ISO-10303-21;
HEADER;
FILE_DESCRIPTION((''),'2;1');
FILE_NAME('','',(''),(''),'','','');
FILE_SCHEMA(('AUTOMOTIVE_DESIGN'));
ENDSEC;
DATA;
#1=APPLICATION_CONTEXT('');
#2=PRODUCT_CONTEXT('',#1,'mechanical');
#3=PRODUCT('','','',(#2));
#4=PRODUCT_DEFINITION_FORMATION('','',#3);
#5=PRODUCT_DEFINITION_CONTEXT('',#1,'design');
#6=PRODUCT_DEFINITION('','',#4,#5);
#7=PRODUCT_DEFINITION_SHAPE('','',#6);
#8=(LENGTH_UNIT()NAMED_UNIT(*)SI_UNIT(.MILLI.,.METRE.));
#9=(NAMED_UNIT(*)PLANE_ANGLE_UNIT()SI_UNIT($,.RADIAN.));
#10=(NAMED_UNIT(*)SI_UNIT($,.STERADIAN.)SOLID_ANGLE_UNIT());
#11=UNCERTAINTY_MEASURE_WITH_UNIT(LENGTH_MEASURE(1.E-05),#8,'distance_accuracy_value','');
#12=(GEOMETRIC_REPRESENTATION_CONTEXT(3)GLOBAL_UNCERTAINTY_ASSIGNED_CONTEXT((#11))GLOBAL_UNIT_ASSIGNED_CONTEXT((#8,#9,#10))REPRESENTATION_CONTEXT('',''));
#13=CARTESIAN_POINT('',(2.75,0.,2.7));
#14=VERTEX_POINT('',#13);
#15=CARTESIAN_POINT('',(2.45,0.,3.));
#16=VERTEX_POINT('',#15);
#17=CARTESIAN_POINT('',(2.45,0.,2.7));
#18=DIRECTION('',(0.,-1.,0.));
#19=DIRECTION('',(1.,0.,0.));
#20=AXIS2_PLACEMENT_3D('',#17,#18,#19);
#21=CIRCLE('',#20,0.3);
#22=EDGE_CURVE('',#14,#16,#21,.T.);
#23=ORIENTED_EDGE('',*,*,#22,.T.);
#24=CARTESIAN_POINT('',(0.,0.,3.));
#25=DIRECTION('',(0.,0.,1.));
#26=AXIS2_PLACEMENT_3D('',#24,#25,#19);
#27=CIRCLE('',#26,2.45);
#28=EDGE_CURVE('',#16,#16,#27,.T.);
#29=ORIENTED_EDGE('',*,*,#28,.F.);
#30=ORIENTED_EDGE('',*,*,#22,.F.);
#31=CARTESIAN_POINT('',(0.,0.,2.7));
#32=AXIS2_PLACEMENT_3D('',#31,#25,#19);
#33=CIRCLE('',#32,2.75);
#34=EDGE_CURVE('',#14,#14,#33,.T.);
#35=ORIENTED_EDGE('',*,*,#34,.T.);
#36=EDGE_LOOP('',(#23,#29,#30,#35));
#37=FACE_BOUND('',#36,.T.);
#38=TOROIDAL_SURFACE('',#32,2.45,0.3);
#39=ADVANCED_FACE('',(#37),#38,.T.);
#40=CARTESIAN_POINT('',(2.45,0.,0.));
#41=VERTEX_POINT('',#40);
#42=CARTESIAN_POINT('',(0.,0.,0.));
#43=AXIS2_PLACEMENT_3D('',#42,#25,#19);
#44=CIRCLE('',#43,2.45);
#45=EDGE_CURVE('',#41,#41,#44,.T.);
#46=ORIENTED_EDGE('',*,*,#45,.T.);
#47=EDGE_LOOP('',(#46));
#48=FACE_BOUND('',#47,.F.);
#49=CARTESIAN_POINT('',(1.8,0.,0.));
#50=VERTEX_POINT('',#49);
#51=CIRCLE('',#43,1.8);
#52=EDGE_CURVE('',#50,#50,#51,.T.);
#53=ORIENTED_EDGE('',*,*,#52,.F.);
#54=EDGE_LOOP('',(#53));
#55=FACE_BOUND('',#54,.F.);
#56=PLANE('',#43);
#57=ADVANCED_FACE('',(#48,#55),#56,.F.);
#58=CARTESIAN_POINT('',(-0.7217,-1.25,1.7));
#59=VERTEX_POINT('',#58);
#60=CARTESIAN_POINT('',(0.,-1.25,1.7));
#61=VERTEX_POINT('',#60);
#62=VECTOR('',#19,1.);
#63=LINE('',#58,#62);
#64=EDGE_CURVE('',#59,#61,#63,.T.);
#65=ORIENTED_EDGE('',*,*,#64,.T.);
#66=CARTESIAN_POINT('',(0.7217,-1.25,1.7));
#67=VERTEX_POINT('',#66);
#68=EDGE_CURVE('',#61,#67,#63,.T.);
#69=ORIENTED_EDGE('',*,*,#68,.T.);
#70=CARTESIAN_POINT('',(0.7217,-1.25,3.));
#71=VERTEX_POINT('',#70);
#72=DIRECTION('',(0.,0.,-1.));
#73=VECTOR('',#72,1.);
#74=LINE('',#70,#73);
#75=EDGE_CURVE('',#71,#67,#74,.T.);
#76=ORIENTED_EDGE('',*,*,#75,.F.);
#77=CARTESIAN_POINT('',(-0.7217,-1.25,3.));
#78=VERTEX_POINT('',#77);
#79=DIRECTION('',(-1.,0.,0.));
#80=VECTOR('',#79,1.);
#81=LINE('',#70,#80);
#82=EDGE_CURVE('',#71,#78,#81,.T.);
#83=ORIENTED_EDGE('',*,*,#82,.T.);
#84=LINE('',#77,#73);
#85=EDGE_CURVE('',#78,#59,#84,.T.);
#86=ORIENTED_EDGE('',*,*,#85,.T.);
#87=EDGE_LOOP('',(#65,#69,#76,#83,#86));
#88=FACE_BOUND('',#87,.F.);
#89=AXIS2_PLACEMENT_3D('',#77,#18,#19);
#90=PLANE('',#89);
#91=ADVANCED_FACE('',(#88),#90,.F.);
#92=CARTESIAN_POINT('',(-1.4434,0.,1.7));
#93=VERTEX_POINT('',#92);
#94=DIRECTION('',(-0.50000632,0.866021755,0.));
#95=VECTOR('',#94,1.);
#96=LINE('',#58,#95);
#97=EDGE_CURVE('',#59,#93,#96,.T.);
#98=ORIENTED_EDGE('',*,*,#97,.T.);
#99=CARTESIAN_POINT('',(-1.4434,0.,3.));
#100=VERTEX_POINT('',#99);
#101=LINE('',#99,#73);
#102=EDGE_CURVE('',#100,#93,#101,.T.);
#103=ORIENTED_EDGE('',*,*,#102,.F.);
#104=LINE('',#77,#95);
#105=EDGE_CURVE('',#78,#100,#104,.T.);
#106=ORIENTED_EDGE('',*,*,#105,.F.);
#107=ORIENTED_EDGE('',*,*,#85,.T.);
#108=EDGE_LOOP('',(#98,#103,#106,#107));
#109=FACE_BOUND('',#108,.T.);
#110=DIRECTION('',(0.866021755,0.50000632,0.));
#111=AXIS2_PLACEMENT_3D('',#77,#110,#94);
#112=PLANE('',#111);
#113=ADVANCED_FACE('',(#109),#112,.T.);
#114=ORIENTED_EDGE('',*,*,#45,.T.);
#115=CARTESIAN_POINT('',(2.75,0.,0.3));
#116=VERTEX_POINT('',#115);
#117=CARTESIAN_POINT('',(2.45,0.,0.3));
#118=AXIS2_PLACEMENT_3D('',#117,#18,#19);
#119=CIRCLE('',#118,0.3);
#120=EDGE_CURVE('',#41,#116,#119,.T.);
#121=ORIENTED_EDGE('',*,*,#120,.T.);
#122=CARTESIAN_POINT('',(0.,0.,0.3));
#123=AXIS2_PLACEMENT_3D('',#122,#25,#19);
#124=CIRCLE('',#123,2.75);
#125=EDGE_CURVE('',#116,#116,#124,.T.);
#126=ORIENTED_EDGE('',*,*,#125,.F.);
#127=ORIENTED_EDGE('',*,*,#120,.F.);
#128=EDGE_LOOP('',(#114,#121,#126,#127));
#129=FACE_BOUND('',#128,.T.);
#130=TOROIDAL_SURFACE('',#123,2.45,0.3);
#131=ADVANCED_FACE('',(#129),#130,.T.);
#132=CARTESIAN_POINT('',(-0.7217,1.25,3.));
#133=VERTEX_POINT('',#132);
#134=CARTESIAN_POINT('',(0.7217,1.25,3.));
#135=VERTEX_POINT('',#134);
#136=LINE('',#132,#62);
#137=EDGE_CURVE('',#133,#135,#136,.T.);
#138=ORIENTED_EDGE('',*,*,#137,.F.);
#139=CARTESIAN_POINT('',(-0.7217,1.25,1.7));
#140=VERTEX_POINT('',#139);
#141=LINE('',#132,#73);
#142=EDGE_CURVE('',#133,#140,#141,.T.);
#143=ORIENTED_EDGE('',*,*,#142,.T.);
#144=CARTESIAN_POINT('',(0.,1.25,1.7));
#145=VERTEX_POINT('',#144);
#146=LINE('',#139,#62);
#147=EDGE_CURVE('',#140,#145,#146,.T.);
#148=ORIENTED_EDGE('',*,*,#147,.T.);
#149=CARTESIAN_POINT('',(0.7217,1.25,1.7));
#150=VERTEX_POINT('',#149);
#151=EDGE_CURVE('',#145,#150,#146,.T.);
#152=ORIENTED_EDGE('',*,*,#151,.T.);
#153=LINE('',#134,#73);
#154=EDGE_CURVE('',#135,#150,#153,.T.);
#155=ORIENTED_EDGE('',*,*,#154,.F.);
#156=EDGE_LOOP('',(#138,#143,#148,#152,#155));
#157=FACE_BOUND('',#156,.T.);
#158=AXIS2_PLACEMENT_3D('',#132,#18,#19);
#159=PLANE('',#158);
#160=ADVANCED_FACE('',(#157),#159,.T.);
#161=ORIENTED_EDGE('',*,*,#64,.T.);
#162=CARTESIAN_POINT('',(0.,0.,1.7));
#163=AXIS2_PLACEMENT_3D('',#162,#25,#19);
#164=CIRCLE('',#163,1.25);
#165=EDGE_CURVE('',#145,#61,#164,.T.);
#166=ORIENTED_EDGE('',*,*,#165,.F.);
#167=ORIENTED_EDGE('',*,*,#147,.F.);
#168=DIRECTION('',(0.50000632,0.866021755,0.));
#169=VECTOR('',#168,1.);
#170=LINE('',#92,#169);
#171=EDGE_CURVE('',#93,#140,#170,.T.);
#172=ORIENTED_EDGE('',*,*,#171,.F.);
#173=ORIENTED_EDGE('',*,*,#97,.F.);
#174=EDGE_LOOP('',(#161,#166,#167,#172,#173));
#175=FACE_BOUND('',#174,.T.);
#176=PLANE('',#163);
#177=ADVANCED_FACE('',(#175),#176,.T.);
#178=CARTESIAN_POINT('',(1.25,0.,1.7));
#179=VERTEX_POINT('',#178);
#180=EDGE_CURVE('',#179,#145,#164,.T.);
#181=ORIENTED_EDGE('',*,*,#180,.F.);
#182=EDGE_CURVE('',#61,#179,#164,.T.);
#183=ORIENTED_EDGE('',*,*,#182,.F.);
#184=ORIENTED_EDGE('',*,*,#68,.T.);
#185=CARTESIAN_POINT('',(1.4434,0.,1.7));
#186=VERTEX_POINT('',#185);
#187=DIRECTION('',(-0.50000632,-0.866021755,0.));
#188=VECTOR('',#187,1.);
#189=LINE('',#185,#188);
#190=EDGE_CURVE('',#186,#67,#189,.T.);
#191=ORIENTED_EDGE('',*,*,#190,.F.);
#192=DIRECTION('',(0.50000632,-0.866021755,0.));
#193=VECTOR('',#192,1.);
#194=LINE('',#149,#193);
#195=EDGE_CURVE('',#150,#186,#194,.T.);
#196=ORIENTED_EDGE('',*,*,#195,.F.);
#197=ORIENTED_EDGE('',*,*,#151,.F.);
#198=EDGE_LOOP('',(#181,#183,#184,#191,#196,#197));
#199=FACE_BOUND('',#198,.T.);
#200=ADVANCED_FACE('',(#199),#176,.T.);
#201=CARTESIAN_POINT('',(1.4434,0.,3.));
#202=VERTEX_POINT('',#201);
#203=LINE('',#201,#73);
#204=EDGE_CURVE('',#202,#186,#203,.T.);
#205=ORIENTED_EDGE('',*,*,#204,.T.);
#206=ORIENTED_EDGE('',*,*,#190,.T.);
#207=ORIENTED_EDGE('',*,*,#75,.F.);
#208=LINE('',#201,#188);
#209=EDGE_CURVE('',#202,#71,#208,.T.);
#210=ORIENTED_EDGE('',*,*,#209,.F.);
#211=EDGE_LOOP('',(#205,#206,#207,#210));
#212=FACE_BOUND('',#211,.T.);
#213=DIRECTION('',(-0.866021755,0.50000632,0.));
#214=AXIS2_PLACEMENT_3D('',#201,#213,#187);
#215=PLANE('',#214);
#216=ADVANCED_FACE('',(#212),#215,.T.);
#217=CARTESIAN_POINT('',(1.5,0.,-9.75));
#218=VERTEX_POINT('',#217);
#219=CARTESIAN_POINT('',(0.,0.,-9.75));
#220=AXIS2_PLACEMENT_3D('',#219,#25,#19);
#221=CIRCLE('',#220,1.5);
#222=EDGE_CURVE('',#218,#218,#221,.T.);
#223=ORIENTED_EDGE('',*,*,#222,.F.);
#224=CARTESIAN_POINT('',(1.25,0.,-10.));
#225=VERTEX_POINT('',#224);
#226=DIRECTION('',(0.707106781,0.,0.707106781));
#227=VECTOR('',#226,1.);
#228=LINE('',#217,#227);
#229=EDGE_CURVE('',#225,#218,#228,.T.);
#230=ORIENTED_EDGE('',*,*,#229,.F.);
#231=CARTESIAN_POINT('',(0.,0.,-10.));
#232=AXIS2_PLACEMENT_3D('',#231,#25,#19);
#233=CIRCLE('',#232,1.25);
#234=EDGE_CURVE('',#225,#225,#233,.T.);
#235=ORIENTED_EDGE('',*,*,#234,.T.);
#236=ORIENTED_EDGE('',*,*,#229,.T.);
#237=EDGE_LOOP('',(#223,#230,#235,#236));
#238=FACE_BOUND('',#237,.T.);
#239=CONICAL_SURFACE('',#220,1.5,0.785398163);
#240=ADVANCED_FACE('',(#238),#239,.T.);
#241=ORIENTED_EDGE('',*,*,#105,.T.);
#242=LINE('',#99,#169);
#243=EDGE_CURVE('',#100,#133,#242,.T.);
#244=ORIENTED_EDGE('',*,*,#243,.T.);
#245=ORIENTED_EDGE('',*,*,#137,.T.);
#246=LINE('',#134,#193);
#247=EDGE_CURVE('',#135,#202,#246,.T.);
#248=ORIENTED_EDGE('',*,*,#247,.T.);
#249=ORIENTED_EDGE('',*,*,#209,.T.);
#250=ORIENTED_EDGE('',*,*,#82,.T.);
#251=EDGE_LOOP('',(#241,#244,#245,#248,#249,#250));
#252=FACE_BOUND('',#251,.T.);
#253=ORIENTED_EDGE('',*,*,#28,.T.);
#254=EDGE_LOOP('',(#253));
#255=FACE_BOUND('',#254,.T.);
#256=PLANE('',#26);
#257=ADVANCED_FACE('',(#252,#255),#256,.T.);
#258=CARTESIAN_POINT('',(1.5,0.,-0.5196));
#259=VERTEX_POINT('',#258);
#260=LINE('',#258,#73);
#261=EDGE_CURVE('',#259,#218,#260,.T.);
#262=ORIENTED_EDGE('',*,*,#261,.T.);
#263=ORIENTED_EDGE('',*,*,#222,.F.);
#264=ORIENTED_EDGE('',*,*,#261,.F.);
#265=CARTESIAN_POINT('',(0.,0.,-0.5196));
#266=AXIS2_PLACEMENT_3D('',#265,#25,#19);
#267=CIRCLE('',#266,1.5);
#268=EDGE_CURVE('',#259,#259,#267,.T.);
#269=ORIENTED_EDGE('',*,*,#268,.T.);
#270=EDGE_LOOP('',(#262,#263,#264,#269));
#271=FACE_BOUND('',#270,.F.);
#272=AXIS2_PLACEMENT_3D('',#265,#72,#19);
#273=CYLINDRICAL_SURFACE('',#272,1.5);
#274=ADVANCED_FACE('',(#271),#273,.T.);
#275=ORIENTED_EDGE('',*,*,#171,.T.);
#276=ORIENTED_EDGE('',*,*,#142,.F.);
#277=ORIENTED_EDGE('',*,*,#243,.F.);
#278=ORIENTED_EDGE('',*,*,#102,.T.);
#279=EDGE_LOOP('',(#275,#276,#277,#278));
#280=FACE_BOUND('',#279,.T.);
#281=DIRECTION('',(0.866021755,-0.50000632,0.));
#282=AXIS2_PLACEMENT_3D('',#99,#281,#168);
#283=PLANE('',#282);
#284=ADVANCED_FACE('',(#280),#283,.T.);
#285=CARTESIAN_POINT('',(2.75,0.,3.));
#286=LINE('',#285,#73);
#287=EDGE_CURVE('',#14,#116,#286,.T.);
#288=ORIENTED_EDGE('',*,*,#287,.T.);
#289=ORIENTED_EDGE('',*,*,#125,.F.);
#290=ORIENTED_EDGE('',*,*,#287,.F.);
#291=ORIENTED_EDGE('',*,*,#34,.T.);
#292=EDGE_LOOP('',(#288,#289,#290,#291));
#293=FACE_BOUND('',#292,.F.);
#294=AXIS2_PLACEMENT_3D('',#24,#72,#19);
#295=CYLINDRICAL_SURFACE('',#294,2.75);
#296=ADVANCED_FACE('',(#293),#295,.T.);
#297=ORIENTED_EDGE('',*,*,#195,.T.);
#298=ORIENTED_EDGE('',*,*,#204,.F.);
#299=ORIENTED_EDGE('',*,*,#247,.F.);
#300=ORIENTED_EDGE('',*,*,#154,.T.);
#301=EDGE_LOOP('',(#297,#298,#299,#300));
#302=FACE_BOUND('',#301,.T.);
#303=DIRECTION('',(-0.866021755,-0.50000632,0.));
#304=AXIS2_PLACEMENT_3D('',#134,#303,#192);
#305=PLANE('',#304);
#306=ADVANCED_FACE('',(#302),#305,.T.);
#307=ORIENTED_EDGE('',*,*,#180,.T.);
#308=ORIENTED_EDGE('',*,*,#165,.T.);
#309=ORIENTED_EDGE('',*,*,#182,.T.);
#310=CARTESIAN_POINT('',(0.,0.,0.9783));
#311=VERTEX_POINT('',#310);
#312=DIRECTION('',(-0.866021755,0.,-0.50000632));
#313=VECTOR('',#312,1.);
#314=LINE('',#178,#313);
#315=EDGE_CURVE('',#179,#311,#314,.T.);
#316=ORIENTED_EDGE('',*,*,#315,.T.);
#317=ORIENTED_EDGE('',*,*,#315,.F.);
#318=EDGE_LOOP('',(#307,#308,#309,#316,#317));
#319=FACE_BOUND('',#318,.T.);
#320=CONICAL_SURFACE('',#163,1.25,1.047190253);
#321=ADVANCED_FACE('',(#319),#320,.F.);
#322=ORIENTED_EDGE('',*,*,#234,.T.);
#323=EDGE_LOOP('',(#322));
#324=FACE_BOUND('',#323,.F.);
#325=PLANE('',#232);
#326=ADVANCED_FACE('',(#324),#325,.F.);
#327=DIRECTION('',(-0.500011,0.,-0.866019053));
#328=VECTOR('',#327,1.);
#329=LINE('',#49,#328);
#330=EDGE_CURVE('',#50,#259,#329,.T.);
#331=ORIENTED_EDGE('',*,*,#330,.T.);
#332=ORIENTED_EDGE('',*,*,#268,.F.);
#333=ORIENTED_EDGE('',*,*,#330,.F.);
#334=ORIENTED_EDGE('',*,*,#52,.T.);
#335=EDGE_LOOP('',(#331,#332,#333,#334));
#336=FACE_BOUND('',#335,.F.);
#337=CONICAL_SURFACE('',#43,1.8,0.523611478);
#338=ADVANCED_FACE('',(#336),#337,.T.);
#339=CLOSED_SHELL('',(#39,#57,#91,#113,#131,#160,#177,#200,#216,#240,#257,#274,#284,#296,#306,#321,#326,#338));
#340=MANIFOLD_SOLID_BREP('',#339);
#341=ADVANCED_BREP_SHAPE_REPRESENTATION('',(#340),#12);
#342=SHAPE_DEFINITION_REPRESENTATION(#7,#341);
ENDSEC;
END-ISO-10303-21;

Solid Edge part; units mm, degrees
sketch "Sketch1" plane through (0, 0, 0) normal (0, -1, 0) x (1, 0, 0)
  line L0 (2.75, 3) -> (2.75, 0)
  line L1 (2.75, 0) -> (1.8, 0)
  line L2 (1.8, 0) -> (1.5, -0.5196)
  line L3 (1.5, -0.5196) -> (1.5, -10)
  line L4 (1.5, -10) -> (0, -10)
  line L5 (1.25, 1.7) -> (0, 0.9783)
  line L6 (1.25, 3) -> (1.25, 1.7)
  line L7 (2.75, 3) -> (1.25, 3)
  dimension "D1" = 1.3
  dimension "D2" = 10
  dimension "D3" = 3
revolve "RevolvedProtrusion1" add sketch "Sketch1" angle 360 about axis through (0, 0, -6) along (0, 0, 1)
cosmetic_thread "Thread1" size "M3"
chamfer "Chamfer_1" distance 0.25 angle 45 1 edges at (-1.5, 0, -10)
fillet "Round_1" radius 0.3 2 edges at (-2.75, 0, 0) (-2.75, 0, 3)
sketch "Sketch2" plane through (0, 0, 3) normal (0, 0, 1) x (0, 1, 0)
  line L0 (-1.25, 0.7217) -> (-1.25, -0.7217)
  line L1 (0, -1.4434) -> (-1.25, -0.7217)
  line L2 (1.25, -0.7217) -> (0, -1.4434)
  line L3 (1.25, 0.7217) -> (1.25, -0.7217)
  line L4 (0, 1.4434) -> (1.25, 0.7217)
  line L5 (-1.25, 0.7217) -> (0, 1.4434)
extrude "Cutout1" cut sketch "Sketch2" against normal up to vertex (1.3 mm away)
properties part number "STD-DIN912-M3x10" material "Galvanized steel"
